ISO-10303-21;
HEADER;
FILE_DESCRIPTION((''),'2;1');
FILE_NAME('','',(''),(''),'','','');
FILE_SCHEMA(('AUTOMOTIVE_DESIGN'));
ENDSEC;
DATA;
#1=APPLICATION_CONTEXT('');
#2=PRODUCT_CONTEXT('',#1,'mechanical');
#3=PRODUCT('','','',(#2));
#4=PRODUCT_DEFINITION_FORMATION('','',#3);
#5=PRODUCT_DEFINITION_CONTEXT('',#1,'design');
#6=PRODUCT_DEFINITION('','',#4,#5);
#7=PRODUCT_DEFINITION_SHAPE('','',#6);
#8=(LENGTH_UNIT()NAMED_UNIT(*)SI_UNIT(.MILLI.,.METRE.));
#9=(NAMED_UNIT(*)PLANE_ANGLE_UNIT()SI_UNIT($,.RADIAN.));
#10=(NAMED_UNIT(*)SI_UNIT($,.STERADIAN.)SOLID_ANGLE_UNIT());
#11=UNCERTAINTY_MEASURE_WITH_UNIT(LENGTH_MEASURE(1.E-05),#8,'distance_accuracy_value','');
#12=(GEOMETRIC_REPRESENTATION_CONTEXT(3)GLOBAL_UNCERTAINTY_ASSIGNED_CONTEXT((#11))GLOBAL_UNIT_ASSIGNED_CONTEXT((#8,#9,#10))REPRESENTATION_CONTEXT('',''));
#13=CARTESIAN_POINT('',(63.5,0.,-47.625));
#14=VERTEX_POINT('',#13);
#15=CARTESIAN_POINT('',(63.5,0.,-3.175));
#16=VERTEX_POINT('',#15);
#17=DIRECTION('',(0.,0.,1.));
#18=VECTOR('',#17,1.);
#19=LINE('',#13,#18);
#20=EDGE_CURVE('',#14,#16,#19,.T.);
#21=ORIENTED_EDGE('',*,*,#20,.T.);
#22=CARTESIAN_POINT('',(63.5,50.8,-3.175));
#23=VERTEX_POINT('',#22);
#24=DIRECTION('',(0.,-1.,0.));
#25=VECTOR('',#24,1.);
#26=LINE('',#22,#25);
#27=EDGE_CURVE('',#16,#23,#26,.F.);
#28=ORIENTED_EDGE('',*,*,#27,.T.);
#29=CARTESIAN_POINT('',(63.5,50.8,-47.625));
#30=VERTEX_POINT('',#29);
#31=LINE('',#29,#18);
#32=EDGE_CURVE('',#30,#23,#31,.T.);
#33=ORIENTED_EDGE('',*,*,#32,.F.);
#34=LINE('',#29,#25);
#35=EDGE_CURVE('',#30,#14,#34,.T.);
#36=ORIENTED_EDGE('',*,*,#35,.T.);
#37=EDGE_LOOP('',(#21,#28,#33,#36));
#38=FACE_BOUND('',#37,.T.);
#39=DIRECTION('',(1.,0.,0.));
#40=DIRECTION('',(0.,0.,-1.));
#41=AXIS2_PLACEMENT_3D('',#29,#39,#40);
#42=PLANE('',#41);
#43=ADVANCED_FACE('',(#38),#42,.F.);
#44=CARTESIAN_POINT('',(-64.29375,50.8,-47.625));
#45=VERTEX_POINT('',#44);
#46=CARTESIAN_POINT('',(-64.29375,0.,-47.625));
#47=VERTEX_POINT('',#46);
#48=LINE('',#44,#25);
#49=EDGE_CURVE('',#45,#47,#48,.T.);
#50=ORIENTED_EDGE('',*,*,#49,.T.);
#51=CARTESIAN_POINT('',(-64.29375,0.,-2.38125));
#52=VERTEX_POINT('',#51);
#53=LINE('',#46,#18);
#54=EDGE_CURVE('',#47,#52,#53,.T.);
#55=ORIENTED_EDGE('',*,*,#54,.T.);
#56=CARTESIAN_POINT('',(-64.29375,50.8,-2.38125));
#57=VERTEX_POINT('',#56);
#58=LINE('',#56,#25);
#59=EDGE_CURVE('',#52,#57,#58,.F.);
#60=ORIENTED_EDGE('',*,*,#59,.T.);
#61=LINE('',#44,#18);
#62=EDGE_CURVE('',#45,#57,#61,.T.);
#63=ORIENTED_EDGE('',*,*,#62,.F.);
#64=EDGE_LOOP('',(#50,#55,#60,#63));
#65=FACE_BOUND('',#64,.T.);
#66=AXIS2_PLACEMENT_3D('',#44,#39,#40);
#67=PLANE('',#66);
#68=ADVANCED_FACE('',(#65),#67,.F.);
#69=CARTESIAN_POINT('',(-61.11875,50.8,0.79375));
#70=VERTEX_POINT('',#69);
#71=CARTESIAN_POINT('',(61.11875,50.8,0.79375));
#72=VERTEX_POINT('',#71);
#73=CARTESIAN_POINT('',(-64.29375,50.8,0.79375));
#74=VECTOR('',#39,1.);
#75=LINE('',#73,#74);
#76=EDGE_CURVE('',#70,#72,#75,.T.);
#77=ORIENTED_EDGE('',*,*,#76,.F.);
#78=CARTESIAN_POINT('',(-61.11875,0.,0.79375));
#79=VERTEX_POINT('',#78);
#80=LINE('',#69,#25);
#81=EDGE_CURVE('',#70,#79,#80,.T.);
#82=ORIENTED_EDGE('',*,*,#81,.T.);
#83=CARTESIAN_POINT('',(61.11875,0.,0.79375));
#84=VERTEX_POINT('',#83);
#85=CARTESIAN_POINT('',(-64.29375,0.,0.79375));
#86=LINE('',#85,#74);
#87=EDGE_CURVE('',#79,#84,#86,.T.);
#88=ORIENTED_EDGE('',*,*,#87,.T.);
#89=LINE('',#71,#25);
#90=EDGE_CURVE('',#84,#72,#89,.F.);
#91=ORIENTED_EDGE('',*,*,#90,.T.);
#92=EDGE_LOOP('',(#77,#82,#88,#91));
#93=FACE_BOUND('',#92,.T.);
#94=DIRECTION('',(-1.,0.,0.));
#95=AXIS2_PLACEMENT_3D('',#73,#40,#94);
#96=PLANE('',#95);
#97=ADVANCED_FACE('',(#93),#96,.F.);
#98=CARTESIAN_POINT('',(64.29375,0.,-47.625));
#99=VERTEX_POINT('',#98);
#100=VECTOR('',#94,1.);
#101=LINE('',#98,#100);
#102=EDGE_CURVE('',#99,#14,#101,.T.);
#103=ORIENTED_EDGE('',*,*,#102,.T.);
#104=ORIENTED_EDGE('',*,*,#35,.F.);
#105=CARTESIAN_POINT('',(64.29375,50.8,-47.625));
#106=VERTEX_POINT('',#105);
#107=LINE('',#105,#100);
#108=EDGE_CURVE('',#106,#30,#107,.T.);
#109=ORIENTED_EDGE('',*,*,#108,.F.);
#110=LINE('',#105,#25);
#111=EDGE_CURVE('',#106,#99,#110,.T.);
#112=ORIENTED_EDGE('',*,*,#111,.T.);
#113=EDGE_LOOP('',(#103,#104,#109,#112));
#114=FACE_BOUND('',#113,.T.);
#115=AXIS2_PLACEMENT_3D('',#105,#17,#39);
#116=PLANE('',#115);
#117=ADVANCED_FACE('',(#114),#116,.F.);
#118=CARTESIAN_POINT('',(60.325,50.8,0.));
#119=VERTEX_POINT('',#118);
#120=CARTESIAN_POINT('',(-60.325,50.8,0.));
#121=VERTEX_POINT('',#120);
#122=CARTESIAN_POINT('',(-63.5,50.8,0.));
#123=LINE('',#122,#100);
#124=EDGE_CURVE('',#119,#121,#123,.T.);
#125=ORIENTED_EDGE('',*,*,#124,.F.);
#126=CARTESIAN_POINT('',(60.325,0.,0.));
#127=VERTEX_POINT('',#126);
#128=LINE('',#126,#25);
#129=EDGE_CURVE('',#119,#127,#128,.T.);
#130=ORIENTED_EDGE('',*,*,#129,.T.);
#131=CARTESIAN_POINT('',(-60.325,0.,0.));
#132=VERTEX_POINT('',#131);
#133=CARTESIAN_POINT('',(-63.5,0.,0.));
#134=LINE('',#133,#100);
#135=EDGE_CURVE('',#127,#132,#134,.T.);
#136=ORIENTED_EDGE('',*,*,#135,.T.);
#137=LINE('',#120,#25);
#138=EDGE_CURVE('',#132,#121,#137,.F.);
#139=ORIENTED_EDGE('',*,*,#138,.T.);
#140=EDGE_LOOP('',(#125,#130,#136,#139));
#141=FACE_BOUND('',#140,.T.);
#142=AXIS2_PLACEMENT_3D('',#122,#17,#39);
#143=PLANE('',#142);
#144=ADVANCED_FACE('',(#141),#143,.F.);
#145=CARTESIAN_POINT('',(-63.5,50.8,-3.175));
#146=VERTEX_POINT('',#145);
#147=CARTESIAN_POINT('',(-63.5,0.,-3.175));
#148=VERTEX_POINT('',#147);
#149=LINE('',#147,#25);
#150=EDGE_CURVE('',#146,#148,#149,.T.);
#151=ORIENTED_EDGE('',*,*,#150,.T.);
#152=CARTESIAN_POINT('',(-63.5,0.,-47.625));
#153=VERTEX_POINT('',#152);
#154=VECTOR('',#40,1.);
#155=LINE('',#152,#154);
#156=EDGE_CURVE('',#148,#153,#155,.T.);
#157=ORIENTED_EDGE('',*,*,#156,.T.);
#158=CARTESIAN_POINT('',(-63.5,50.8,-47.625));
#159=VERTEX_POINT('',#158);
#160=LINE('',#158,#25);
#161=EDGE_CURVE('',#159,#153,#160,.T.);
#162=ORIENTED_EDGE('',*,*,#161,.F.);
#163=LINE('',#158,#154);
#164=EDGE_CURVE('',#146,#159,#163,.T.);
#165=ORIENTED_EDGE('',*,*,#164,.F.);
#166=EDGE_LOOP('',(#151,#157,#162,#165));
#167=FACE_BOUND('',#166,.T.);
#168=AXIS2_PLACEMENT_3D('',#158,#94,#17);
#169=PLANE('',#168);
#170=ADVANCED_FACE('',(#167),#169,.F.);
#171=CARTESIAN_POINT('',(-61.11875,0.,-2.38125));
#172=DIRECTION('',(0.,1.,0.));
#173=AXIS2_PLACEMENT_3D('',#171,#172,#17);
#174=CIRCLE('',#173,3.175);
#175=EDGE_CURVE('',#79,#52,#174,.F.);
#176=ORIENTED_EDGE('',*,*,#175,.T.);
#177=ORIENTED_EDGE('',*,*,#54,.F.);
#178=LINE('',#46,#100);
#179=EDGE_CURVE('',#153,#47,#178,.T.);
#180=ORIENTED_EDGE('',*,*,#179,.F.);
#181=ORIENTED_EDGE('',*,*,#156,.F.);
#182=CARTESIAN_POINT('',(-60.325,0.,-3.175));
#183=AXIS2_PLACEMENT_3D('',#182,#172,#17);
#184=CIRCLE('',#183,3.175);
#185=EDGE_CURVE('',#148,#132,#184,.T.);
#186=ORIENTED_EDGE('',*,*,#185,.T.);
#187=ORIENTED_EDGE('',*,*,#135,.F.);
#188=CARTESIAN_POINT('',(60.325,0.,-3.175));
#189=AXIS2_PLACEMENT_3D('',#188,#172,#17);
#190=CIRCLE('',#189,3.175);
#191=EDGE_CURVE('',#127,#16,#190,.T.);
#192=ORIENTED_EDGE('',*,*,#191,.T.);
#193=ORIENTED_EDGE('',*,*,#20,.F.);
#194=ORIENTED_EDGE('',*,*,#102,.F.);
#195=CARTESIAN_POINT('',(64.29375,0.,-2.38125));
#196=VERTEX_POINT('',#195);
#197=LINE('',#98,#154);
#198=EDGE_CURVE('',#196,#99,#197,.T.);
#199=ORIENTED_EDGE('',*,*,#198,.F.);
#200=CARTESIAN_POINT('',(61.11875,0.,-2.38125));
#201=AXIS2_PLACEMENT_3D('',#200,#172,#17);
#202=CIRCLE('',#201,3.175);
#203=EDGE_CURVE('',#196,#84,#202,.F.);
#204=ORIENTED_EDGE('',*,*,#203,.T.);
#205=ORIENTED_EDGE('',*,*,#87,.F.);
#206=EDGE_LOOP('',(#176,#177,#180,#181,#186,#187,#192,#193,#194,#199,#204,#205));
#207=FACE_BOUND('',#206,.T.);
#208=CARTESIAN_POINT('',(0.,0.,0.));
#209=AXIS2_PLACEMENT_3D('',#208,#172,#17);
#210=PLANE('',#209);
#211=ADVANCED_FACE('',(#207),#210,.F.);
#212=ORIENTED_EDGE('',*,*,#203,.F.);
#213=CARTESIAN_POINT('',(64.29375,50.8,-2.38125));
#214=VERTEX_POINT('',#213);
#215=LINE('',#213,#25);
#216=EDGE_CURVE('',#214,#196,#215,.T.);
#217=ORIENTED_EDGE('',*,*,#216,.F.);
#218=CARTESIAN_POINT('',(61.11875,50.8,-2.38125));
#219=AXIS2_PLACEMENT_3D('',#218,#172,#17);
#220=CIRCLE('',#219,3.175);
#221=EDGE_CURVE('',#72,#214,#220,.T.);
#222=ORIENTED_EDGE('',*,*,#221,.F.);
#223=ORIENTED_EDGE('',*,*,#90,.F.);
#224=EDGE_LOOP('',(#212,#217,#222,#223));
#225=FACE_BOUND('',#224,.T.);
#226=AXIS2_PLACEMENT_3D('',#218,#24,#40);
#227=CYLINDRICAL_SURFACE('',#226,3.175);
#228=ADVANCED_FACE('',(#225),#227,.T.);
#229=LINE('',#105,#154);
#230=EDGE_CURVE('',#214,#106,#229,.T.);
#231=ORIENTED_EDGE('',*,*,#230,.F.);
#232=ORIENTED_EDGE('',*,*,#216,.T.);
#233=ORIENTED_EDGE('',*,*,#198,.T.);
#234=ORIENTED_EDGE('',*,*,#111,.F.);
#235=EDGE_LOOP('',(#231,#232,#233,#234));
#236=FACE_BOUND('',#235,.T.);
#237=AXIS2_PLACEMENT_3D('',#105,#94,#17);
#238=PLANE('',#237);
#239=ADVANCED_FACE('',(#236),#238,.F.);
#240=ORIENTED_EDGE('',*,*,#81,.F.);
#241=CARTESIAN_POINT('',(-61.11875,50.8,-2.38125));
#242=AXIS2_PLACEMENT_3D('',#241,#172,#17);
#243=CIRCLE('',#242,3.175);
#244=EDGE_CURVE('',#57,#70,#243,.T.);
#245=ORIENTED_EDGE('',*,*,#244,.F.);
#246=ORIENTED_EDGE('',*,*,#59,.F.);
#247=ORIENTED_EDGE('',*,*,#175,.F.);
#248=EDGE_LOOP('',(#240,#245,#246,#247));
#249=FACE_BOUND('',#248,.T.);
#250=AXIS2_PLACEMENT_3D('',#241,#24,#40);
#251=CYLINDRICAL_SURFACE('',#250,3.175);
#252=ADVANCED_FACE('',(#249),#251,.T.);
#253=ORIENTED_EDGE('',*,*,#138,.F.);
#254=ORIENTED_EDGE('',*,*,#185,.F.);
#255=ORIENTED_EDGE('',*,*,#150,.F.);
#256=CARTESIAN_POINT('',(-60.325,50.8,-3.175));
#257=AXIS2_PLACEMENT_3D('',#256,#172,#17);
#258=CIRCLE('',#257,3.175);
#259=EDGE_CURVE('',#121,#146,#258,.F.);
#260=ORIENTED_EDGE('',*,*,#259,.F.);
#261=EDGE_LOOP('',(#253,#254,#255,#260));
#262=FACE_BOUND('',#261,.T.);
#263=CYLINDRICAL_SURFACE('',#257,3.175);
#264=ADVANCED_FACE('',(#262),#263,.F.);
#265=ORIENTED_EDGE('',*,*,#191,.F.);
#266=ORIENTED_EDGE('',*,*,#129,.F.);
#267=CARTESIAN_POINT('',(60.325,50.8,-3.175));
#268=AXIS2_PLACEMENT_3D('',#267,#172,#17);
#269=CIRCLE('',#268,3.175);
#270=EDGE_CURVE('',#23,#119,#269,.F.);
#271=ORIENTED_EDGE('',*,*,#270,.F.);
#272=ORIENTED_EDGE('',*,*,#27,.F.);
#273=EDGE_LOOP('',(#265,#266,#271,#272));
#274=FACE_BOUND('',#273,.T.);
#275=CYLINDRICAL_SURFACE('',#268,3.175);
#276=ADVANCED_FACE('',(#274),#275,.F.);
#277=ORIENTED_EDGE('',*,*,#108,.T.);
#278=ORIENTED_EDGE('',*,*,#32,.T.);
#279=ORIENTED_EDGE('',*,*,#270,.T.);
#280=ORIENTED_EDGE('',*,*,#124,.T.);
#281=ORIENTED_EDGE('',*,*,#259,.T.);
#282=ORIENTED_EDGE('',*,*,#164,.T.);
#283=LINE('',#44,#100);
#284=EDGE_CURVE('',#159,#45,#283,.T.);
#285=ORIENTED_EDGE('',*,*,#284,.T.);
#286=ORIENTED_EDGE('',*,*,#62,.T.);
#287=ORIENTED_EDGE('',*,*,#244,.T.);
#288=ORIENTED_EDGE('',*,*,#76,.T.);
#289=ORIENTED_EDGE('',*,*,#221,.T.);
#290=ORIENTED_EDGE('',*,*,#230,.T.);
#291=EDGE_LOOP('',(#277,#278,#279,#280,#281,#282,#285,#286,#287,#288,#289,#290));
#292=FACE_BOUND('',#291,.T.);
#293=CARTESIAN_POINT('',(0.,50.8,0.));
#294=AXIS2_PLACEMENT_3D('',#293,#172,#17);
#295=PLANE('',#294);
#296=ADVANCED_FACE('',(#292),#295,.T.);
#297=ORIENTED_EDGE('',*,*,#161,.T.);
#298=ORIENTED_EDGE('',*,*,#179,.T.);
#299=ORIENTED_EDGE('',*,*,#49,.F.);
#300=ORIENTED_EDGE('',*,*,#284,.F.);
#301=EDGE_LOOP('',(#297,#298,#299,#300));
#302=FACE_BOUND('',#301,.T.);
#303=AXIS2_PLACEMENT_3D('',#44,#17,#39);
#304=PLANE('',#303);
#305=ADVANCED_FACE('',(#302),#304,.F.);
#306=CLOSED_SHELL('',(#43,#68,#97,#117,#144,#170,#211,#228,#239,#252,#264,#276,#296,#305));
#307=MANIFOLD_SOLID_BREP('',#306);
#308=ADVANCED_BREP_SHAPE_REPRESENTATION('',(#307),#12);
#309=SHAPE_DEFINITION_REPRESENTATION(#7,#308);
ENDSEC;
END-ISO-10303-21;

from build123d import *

# Parameters (mm, degrees)
BOSS_EXTRUDE1_DEPTH = 50.8
FILLET1_R           = 3.175


with BuildPart() as part:
    # Sketch1 → Boss-Extrude1 (new body)
    with BuildSketch(Plane(origin=(0, 0, 0), x_dir=(1, 0, 0), z_dir=(0, 1, 0))):
        Polygon((-64.29375, 47.625), (-63.5, 47.625), (-63.5, 0), (63.5, 0), (63.5, 47.625), (64.29375, 47.625), (64.29375, -0.79375), (-64.29375, -0.79375), align=None)
    extrude(amount=BOSS_EXTRUDE1_DEPTH)

    # Fillet1
    fillet1_edges = [part.edges().sort_by_distance(p)[0] for p in [
        (-63.5, 25.4, 0),
        (63.5, 25.4, 0),
        (64.29375, 25.4, 0.79375),
        (-64.29375, 25.4, 0.79375),
    ]]
    fillet(fillet1_edges, radius=FILLET1_R)


solid = part.part
